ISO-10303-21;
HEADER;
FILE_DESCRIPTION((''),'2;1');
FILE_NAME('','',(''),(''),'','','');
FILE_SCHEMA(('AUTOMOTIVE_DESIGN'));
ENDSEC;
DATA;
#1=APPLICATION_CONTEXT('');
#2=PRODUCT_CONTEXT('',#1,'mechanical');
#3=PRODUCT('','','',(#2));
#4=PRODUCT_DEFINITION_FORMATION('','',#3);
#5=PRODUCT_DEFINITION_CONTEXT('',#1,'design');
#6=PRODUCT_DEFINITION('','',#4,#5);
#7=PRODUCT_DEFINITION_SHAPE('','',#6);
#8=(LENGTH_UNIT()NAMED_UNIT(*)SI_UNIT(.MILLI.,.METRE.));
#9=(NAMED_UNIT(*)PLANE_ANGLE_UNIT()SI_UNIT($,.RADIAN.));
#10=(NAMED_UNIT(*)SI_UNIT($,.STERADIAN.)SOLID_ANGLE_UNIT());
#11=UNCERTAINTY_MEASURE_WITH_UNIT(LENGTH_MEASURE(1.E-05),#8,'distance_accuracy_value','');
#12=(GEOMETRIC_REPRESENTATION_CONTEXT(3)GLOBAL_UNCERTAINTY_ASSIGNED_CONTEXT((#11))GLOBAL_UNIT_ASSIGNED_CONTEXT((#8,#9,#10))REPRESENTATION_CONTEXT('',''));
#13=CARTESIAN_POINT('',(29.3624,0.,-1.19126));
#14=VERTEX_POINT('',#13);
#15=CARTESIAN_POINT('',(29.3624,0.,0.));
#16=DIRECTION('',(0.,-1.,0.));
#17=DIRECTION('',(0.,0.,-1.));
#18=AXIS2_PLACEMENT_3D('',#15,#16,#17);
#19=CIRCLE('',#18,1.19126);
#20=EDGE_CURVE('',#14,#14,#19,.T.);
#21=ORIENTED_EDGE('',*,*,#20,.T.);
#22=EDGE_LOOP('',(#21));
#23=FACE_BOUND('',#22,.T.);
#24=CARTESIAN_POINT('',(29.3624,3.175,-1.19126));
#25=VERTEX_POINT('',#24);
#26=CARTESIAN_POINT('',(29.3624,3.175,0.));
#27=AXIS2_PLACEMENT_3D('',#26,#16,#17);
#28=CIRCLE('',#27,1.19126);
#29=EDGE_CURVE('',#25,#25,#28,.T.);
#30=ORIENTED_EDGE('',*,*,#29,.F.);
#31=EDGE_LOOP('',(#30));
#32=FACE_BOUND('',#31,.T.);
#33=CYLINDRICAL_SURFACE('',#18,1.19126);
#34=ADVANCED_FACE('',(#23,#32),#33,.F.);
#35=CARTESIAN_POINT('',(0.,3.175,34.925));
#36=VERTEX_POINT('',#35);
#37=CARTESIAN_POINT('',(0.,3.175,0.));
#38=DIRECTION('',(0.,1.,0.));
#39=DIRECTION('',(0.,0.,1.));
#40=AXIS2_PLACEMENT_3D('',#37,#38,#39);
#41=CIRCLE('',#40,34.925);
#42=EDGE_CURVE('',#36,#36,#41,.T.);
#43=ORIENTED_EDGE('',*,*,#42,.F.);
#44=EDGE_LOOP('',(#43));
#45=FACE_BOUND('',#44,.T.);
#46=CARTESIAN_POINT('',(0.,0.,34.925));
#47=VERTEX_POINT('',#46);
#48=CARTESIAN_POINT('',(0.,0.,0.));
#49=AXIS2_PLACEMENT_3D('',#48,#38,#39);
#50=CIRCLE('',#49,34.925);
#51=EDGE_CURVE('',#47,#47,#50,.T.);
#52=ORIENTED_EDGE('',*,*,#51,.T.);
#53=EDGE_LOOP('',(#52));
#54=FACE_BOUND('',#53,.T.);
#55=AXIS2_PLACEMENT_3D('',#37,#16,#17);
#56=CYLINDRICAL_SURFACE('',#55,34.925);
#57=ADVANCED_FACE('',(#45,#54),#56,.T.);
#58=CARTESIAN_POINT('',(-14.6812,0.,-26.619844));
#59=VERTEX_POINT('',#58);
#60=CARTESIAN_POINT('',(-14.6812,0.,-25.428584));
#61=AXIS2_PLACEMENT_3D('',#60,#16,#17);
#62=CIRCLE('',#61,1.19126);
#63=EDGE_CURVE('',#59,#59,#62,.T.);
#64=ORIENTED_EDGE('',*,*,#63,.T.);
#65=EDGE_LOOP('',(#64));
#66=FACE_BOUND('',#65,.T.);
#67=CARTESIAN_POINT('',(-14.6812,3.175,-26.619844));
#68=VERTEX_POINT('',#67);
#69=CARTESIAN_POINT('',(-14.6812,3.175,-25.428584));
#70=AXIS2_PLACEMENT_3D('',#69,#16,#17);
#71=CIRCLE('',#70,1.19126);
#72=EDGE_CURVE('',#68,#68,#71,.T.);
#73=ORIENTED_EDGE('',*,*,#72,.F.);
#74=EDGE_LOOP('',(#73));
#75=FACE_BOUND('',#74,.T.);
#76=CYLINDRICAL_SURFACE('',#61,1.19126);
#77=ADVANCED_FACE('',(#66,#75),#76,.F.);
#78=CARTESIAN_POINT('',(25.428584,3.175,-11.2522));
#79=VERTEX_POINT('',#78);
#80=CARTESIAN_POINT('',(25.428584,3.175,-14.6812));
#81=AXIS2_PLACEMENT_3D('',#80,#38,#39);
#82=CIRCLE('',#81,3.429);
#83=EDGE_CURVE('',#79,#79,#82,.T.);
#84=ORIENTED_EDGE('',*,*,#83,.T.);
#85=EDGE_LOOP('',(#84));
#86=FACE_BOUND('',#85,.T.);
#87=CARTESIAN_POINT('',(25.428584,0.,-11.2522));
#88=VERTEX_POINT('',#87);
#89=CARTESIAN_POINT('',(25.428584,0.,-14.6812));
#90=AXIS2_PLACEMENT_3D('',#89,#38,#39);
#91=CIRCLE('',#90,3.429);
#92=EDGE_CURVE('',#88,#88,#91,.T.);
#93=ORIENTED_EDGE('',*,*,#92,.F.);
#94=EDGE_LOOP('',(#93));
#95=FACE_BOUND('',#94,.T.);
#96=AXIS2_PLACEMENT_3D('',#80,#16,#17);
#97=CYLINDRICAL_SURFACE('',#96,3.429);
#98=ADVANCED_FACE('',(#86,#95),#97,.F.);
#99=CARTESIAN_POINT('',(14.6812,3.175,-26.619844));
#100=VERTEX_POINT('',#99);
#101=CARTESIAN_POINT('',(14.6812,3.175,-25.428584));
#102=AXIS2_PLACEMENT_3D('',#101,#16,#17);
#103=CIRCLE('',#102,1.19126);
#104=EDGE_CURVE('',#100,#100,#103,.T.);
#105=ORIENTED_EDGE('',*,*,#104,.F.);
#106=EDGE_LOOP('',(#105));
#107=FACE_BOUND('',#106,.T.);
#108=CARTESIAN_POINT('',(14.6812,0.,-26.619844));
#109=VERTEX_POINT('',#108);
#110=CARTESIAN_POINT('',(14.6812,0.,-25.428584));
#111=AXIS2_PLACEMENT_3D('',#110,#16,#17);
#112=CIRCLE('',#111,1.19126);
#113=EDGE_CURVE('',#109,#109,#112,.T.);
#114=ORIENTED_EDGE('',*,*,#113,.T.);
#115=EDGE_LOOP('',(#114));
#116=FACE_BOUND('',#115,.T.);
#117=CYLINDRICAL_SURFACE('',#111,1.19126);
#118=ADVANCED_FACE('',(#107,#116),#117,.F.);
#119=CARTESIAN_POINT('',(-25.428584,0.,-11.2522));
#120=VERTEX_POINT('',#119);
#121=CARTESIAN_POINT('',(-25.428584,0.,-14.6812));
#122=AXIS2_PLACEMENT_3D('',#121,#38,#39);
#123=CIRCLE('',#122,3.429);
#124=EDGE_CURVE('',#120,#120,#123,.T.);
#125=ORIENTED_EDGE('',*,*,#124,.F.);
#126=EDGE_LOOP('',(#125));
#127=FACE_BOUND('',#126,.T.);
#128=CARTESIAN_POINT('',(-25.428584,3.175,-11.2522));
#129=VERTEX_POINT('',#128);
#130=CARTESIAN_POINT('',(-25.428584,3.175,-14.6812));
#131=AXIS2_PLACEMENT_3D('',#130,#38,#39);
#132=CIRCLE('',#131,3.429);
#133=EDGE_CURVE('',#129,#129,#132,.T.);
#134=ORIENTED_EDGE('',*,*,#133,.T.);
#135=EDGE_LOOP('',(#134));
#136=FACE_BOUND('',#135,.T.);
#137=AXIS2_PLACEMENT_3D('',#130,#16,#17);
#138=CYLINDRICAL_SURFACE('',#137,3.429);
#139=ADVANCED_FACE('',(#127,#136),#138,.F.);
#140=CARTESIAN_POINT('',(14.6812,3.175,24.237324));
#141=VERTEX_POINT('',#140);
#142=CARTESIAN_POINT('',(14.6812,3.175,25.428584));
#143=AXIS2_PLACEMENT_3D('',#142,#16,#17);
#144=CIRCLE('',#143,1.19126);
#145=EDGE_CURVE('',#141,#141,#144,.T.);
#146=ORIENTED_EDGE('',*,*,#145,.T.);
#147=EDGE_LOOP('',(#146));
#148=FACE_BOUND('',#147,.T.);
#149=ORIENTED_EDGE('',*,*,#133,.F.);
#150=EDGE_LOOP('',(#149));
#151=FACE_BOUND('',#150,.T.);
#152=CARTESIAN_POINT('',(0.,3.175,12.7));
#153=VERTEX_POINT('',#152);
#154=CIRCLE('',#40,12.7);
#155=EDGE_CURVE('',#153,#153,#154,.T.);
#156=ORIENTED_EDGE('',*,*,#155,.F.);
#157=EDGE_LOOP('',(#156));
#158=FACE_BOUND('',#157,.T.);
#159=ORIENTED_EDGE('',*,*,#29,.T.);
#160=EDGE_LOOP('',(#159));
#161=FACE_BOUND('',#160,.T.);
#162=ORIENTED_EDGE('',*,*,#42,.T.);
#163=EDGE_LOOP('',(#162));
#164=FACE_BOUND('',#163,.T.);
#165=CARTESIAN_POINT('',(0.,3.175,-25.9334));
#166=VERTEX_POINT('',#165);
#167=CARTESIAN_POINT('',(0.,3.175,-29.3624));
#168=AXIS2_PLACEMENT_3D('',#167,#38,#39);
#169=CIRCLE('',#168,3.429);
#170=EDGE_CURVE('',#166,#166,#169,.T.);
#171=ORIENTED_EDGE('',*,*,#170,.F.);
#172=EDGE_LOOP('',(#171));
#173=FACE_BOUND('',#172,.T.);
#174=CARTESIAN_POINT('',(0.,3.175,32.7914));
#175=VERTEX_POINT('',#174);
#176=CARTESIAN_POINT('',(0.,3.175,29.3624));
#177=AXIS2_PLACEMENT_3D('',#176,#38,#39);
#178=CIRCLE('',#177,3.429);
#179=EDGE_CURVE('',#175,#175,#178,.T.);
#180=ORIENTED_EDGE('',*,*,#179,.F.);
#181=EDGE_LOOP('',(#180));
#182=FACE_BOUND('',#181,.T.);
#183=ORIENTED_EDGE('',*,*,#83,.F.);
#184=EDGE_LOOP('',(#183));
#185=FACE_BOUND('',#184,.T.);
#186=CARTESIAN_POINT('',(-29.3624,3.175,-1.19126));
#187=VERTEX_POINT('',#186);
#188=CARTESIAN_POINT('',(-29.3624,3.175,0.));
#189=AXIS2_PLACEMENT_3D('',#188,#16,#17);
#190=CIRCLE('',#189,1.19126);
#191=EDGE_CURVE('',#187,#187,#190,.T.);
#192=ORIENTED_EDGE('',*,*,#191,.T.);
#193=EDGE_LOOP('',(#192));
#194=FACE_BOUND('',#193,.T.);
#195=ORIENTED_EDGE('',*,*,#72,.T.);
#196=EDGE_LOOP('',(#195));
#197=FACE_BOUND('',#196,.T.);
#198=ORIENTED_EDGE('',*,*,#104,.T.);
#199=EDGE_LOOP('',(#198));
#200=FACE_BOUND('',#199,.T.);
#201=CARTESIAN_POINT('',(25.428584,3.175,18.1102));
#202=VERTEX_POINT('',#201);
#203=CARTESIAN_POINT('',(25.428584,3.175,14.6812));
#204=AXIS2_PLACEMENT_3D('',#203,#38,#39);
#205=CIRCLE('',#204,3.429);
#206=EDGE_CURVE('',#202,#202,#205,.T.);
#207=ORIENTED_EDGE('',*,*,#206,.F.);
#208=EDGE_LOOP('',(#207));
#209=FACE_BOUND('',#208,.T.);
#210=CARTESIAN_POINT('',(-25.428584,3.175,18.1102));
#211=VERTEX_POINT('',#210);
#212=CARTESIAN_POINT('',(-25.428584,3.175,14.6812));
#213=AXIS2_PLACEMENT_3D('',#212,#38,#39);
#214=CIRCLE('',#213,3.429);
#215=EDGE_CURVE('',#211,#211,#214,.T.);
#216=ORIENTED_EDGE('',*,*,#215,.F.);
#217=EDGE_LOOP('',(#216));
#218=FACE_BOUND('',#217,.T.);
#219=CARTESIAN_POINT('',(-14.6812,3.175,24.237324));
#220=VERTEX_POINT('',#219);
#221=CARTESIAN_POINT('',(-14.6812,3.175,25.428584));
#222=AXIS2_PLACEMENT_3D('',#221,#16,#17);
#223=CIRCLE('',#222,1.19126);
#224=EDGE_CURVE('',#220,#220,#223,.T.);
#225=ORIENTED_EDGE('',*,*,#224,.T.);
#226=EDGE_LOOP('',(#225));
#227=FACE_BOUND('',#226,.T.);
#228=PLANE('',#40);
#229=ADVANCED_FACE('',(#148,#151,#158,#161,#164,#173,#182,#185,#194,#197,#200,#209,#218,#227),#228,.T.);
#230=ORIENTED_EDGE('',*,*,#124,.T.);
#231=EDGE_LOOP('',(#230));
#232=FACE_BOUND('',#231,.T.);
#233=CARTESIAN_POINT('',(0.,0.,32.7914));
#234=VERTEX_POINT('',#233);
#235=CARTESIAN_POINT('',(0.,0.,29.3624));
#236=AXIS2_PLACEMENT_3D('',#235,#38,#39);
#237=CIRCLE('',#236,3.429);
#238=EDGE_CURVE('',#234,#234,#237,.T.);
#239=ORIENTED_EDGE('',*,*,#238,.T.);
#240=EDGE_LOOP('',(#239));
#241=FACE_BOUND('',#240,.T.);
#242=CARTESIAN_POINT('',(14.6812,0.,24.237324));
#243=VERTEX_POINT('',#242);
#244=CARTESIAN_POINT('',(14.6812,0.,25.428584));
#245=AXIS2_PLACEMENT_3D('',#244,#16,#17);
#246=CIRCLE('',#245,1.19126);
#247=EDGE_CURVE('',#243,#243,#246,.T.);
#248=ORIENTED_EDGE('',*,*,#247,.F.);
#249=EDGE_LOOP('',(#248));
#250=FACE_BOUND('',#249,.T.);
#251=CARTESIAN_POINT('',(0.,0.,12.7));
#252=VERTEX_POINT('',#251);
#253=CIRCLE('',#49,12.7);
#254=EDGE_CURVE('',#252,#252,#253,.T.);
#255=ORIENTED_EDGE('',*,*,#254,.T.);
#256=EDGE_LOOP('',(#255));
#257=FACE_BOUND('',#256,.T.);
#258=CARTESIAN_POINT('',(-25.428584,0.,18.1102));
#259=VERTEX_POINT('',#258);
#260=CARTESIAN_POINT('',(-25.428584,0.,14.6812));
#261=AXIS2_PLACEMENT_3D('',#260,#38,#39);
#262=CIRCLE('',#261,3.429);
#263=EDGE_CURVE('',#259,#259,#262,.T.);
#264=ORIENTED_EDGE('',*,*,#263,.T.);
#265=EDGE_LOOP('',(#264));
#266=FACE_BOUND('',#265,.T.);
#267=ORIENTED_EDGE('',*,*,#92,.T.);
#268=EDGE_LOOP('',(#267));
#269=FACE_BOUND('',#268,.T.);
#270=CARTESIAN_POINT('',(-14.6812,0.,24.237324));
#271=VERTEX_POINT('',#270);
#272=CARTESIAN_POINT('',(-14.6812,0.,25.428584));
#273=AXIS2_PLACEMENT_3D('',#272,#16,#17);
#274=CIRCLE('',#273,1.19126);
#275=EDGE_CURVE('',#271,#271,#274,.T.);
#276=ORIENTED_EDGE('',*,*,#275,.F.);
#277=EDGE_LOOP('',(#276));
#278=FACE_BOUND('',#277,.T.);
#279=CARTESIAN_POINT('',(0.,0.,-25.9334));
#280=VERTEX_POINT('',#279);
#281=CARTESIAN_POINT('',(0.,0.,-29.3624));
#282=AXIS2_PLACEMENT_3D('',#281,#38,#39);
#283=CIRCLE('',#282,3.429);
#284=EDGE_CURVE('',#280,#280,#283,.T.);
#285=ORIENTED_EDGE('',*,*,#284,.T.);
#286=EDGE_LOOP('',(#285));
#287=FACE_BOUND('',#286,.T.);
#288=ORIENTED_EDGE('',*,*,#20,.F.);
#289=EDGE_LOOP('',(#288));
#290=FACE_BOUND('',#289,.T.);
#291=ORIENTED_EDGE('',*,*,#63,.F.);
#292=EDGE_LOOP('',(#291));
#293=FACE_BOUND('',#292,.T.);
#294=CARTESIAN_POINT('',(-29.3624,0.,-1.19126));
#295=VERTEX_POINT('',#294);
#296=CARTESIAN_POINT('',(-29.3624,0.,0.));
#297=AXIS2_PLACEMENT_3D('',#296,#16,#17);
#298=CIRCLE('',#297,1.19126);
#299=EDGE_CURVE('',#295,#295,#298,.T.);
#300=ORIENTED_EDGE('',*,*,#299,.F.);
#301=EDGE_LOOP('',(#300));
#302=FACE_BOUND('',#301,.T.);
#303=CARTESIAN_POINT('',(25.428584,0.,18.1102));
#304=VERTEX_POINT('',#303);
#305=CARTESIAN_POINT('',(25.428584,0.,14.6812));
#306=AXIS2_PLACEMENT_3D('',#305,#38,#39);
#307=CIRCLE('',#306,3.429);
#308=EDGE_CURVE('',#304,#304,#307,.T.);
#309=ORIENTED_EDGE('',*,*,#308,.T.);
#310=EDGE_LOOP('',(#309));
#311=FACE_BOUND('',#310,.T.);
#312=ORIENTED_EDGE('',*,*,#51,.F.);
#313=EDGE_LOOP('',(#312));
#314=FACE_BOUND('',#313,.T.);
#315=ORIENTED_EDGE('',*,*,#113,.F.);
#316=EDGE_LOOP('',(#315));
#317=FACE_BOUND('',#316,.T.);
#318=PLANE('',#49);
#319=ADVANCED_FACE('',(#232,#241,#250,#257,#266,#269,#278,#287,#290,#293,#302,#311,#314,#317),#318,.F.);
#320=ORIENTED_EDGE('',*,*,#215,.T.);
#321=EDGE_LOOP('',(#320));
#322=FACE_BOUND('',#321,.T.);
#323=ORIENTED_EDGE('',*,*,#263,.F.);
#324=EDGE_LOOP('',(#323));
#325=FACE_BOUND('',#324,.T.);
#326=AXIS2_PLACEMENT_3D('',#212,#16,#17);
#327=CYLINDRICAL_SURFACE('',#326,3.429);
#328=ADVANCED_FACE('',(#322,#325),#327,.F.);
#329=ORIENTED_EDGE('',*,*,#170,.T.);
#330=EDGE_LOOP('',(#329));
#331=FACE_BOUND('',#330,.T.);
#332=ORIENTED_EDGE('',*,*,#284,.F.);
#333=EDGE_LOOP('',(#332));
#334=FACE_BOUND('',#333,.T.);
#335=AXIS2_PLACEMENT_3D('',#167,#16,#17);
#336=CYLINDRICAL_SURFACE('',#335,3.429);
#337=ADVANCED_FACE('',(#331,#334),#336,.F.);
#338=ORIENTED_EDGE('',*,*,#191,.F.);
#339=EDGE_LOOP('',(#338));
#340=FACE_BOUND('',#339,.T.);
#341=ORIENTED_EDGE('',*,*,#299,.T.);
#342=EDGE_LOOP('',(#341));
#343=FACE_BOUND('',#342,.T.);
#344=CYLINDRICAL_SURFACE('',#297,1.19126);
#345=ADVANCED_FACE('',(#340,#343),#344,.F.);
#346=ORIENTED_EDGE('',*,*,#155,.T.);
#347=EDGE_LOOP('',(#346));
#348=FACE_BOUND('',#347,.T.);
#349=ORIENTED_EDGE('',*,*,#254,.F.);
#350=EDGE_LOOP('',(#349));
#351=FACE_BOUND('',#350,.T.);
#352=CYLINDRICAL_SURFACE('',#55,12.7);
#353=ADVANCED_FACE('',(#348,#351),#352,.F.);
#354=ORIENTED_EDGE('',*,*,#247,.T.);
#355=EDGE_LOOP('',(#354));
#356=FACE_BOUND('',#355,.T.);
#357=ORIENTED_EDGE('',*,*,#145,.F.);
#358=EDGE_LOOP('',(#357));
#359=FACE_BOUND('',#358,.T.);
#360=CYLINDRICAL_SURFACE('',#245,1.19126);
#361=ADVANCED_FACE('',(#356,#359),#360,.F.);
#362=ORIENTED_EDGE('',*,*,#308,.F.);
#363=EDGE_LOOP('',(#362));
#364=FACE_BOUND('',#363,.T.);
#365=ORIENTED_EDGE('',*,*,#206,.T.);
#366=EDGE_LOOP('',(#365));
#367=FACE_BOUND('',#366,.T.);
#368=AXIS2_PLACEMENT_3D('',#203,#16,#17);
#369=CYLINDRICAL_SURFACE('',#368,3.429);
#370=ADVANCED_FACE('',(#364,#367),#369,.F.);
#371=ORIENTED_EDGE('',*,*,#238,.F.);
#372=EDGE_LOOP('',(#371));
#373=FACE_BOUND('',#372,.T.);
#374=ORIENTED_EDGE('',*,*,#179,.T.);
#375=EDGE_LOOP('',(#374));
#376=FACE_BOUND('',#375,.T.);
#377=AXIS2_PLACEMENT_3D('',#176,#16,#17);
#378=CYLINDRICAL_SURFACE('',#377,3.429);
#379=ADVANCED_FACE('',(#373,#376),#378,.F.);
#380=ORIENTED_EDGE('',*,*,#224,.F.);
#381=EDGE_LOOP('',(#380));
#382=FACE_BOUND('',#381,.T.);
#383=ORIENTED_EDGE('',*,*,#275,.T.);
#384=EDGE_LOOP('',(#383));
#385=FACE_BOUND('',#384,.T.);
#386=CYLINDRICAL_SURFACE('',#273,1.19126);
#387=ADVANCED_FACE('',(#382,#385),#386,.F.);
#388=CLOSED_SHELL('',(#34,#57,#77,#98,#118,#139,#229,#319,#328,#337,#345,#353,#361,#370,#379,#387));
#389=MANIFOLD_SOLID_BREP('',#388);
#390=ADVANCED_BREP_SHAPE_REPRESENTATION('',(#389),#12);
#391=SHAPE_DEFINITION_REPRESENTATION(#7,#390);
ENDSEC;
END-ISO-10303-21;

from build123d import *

# Parameters (mm, degrees)
SKETCH1_R                   = 34.925
SKETCH1_R_2                 = 12.7
SKETCH1_R_3                 = 3.429
BOSS_EXTRUDE1_DEPTH         = 3.175
TAP_DRILL_FOR_2_HELICOIL1_D = 2.38252
CIRPATTERN1_COUNT           = 6


with BuildPart() as part:
    # Sketch1 → Boss-Extrude1 (new body)
    with BuildSketch(Plane(origin=(0, 0, 0), x_dir=(1, 0, 0), z_dir=(0, 1, 0))):
        with Locations(Location((0, 0, 0), (0, 0, 270))):
            Circle(SKETCH1_R)
        with Locations(Location((0, 0, 0), (0, 0, 270))):
            Circle(SKETCH1_R_2, mode=Mode.SUBTRACT)
        with Locations(Location((0, 29.3624, 0), (0, 0, 270))):
            Circle(SKETCH1_R_3, mode=Mode.SUBTRACT)
        with Locations(Location((25.428584316, 14.6812, 0), (0, 0, 270))):
            Circle(SKETCH1_R_3, mode=Mode.SUBTRACT)
        with Locations(Location((25.428584316, -14.6812, 0), (0, 0, 270))):
            Circle(SKETCH1_R_3, mode=Mode.SUBTRACT)
        with Locations(Location((0, -29.3624, 0), (0, 0, 270))):
            Circle(SKETCH1_R_3, mode=Mode.SUBTRACT)
        with Locations(Location((-25.428584316, -14.6812, 0), (0, 0, 270))):
            Circle(SKETCH1_R_3, mode=Mode.SUBTRACT)
        with Locations(Location((-25.428584316, 14.6812, 0), (0, 0, 270))):
            Circle(SKETCH1_R_3, mode=Mode.SUBTRACT)
    extrude(amount=BOSS_EXTRUDE1_DEPTH)

    # Tap Drill for #2 Helicoil1 (through all)
    with Locations(Plane(origin=(0, 0, 0), x_dir=(-1, 0, 0), z_dir=(0, -1, 0))):
        with Locations((14.6812, 25.428584316)):
            tap_drill_for_2_helicoil1 = Hole(TAP_DRILL_FOR_2_HELICOIL1_D / 2)

    # CirPattern1: Tap Drill for #2 Helicoil1 ×6 about axis
    cirpattern1_axis = Axis((0, 0, 0), (0, 1, 0))
    for i in range(1, CIRPATTERN1_COUNT):
        add(tap_drill_for_2_helicoil1.rotate(cirpattern1_axis, i * 360 / CIRPATTERN1_COUNT), mode=Mode.SUBTRACT)


solid = part.part
